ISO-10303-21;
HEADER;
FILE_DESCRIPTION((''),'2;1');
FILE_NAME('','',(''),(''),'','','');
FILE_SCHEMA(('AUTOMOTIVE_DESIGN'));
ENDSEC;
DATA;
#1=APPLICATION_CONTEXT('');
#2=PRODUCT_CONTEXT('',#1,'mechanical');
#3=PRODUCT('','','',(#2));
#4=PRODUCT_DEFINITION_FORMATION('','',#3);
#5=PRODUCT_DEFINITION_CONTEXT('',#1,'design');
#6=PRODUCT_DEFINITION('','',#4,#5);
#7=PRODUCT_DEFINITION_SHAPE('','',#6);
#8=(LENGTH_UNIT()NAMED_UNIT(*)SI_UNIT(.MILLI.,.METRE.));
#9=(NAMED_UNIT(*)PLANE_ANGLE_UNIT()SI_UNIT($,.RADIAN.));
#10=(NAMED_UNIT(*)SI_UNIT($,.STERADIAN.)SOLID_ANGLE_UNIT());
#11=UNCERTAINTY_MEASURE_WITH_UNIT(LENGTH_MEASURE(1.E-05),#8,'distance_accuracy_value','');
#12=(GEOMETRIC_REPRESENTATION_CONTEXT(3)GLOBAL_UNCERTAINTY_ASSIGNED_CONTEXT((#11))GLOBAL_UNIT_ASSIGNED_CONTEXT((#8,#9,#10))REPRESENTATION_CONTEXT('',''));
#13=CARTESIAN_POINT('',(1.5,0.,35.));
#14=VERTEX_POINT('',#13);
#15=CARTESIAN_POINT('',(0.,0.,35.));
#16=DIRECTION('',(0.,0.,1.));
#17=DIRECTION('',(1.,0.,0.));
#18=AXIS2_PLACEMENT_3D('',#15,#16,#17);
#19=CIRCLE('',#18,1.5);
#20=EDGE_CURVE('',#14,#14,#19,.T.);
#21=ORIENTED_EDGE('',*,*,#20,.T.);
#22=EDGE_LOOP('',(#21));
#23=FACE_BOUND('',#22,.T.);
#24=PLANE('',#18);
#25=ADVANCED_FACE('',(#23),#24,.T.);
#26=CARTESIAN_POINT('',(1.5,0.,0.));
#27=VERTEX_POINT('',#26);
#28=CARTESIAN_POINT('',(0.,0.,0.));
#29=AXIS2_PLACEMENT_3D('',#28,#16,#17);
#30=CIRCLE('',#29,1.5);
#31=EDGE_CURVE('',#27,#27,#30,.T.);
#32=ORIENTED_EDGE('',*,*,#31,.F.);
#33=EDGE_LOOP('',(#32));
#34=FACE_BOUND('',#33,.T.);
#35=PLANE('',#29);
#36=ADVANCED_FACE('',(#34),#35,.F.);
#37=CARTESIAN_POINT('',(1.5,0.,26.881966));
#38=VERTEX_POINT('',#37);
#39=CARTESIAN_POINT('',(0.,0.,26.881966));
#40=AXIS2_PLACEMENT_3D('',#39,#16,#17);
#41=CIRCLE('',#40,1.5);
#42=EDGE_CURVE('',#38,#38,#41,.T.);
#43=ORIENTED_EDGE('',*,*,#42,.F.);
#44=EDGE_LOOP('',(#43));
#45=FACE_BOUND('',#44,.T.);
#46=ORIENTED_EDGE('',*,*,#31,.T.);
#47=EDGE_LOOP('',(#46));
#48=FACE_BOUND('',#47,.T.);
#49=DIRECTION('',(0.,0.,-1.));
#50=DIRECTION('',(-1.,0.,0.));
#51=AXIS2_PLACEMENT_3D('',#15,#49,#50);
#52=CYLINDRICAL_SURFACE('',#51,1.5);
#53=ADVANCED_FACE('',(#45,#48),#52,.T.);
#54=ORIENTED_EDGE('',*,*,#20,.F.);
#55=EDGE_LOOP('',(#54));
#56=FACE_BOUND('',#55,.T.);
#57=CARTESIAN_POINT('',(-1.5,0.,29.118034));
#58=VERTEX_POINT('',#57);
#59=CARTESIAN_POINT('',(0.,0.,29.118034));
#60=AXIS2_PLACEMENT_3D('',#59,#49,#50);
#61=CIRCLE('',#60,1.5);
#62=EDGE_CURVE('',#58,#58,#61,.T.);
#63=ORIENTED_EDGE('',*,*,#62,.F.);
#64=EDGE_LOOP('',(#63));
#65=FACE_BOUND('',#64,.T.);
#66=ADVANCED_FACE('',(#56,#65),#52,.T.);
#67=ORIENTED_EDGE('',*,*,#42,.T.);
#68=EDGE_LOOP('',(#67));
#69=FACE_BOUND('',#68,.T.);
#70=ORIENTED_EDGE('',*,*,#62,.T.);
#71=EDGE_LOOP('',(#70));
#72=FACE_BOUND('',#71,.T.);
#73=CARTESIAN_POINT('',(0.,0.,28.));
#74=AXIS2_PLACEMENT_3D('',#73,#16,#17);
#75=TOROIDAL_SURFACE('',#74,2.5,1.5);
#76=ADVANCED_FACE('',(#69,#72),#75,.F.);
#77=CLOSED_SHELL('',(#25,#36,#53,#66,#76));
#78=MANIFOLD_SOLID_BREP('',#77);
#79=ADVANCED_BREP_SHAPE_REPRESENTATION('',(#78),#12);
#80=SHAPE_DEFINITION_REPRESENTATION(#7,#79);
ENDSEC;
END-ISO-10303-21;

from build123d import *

# Parameters (mm, degrees)
SKETCH_1_R      = 1.5
EXTRUDE_1_DEPTH = 35


with BuildPart() as part:
    # 草图1 → 凸台-拉伸1 (new body)
    with BuildSketch(Plane.XY):
        Circle(SKETCH_1_R)
    extrude(amount=EXTRUDE_1_DEPTH)

    # 草图2 → 切除-旋转1 (revolve, cut)
    with BuildSketch(Plane(origin=(0, 0, 0), x_dir=(0, 0, -1), z_dir=(1, 0, 0)), mode=Mode.PRIVATE) as cut_revolve_1_sk:
        with BuildLine():
            Line((-29.5, 2.5), (-26.5, 2.5))
            ThreePointArc((-26.5, 2.5), (-28, 1), (-29.5, 2.5))
        make_face()
    revolve(cut_revolve_1_sk.sketch.rotate(Axis((0, 0, 35), (0, 0, -1)), 90), axis=Axis((0, 0, 35), (0, 0, -1)), mode=Mode.SUBTRACT)


solid = part.part
